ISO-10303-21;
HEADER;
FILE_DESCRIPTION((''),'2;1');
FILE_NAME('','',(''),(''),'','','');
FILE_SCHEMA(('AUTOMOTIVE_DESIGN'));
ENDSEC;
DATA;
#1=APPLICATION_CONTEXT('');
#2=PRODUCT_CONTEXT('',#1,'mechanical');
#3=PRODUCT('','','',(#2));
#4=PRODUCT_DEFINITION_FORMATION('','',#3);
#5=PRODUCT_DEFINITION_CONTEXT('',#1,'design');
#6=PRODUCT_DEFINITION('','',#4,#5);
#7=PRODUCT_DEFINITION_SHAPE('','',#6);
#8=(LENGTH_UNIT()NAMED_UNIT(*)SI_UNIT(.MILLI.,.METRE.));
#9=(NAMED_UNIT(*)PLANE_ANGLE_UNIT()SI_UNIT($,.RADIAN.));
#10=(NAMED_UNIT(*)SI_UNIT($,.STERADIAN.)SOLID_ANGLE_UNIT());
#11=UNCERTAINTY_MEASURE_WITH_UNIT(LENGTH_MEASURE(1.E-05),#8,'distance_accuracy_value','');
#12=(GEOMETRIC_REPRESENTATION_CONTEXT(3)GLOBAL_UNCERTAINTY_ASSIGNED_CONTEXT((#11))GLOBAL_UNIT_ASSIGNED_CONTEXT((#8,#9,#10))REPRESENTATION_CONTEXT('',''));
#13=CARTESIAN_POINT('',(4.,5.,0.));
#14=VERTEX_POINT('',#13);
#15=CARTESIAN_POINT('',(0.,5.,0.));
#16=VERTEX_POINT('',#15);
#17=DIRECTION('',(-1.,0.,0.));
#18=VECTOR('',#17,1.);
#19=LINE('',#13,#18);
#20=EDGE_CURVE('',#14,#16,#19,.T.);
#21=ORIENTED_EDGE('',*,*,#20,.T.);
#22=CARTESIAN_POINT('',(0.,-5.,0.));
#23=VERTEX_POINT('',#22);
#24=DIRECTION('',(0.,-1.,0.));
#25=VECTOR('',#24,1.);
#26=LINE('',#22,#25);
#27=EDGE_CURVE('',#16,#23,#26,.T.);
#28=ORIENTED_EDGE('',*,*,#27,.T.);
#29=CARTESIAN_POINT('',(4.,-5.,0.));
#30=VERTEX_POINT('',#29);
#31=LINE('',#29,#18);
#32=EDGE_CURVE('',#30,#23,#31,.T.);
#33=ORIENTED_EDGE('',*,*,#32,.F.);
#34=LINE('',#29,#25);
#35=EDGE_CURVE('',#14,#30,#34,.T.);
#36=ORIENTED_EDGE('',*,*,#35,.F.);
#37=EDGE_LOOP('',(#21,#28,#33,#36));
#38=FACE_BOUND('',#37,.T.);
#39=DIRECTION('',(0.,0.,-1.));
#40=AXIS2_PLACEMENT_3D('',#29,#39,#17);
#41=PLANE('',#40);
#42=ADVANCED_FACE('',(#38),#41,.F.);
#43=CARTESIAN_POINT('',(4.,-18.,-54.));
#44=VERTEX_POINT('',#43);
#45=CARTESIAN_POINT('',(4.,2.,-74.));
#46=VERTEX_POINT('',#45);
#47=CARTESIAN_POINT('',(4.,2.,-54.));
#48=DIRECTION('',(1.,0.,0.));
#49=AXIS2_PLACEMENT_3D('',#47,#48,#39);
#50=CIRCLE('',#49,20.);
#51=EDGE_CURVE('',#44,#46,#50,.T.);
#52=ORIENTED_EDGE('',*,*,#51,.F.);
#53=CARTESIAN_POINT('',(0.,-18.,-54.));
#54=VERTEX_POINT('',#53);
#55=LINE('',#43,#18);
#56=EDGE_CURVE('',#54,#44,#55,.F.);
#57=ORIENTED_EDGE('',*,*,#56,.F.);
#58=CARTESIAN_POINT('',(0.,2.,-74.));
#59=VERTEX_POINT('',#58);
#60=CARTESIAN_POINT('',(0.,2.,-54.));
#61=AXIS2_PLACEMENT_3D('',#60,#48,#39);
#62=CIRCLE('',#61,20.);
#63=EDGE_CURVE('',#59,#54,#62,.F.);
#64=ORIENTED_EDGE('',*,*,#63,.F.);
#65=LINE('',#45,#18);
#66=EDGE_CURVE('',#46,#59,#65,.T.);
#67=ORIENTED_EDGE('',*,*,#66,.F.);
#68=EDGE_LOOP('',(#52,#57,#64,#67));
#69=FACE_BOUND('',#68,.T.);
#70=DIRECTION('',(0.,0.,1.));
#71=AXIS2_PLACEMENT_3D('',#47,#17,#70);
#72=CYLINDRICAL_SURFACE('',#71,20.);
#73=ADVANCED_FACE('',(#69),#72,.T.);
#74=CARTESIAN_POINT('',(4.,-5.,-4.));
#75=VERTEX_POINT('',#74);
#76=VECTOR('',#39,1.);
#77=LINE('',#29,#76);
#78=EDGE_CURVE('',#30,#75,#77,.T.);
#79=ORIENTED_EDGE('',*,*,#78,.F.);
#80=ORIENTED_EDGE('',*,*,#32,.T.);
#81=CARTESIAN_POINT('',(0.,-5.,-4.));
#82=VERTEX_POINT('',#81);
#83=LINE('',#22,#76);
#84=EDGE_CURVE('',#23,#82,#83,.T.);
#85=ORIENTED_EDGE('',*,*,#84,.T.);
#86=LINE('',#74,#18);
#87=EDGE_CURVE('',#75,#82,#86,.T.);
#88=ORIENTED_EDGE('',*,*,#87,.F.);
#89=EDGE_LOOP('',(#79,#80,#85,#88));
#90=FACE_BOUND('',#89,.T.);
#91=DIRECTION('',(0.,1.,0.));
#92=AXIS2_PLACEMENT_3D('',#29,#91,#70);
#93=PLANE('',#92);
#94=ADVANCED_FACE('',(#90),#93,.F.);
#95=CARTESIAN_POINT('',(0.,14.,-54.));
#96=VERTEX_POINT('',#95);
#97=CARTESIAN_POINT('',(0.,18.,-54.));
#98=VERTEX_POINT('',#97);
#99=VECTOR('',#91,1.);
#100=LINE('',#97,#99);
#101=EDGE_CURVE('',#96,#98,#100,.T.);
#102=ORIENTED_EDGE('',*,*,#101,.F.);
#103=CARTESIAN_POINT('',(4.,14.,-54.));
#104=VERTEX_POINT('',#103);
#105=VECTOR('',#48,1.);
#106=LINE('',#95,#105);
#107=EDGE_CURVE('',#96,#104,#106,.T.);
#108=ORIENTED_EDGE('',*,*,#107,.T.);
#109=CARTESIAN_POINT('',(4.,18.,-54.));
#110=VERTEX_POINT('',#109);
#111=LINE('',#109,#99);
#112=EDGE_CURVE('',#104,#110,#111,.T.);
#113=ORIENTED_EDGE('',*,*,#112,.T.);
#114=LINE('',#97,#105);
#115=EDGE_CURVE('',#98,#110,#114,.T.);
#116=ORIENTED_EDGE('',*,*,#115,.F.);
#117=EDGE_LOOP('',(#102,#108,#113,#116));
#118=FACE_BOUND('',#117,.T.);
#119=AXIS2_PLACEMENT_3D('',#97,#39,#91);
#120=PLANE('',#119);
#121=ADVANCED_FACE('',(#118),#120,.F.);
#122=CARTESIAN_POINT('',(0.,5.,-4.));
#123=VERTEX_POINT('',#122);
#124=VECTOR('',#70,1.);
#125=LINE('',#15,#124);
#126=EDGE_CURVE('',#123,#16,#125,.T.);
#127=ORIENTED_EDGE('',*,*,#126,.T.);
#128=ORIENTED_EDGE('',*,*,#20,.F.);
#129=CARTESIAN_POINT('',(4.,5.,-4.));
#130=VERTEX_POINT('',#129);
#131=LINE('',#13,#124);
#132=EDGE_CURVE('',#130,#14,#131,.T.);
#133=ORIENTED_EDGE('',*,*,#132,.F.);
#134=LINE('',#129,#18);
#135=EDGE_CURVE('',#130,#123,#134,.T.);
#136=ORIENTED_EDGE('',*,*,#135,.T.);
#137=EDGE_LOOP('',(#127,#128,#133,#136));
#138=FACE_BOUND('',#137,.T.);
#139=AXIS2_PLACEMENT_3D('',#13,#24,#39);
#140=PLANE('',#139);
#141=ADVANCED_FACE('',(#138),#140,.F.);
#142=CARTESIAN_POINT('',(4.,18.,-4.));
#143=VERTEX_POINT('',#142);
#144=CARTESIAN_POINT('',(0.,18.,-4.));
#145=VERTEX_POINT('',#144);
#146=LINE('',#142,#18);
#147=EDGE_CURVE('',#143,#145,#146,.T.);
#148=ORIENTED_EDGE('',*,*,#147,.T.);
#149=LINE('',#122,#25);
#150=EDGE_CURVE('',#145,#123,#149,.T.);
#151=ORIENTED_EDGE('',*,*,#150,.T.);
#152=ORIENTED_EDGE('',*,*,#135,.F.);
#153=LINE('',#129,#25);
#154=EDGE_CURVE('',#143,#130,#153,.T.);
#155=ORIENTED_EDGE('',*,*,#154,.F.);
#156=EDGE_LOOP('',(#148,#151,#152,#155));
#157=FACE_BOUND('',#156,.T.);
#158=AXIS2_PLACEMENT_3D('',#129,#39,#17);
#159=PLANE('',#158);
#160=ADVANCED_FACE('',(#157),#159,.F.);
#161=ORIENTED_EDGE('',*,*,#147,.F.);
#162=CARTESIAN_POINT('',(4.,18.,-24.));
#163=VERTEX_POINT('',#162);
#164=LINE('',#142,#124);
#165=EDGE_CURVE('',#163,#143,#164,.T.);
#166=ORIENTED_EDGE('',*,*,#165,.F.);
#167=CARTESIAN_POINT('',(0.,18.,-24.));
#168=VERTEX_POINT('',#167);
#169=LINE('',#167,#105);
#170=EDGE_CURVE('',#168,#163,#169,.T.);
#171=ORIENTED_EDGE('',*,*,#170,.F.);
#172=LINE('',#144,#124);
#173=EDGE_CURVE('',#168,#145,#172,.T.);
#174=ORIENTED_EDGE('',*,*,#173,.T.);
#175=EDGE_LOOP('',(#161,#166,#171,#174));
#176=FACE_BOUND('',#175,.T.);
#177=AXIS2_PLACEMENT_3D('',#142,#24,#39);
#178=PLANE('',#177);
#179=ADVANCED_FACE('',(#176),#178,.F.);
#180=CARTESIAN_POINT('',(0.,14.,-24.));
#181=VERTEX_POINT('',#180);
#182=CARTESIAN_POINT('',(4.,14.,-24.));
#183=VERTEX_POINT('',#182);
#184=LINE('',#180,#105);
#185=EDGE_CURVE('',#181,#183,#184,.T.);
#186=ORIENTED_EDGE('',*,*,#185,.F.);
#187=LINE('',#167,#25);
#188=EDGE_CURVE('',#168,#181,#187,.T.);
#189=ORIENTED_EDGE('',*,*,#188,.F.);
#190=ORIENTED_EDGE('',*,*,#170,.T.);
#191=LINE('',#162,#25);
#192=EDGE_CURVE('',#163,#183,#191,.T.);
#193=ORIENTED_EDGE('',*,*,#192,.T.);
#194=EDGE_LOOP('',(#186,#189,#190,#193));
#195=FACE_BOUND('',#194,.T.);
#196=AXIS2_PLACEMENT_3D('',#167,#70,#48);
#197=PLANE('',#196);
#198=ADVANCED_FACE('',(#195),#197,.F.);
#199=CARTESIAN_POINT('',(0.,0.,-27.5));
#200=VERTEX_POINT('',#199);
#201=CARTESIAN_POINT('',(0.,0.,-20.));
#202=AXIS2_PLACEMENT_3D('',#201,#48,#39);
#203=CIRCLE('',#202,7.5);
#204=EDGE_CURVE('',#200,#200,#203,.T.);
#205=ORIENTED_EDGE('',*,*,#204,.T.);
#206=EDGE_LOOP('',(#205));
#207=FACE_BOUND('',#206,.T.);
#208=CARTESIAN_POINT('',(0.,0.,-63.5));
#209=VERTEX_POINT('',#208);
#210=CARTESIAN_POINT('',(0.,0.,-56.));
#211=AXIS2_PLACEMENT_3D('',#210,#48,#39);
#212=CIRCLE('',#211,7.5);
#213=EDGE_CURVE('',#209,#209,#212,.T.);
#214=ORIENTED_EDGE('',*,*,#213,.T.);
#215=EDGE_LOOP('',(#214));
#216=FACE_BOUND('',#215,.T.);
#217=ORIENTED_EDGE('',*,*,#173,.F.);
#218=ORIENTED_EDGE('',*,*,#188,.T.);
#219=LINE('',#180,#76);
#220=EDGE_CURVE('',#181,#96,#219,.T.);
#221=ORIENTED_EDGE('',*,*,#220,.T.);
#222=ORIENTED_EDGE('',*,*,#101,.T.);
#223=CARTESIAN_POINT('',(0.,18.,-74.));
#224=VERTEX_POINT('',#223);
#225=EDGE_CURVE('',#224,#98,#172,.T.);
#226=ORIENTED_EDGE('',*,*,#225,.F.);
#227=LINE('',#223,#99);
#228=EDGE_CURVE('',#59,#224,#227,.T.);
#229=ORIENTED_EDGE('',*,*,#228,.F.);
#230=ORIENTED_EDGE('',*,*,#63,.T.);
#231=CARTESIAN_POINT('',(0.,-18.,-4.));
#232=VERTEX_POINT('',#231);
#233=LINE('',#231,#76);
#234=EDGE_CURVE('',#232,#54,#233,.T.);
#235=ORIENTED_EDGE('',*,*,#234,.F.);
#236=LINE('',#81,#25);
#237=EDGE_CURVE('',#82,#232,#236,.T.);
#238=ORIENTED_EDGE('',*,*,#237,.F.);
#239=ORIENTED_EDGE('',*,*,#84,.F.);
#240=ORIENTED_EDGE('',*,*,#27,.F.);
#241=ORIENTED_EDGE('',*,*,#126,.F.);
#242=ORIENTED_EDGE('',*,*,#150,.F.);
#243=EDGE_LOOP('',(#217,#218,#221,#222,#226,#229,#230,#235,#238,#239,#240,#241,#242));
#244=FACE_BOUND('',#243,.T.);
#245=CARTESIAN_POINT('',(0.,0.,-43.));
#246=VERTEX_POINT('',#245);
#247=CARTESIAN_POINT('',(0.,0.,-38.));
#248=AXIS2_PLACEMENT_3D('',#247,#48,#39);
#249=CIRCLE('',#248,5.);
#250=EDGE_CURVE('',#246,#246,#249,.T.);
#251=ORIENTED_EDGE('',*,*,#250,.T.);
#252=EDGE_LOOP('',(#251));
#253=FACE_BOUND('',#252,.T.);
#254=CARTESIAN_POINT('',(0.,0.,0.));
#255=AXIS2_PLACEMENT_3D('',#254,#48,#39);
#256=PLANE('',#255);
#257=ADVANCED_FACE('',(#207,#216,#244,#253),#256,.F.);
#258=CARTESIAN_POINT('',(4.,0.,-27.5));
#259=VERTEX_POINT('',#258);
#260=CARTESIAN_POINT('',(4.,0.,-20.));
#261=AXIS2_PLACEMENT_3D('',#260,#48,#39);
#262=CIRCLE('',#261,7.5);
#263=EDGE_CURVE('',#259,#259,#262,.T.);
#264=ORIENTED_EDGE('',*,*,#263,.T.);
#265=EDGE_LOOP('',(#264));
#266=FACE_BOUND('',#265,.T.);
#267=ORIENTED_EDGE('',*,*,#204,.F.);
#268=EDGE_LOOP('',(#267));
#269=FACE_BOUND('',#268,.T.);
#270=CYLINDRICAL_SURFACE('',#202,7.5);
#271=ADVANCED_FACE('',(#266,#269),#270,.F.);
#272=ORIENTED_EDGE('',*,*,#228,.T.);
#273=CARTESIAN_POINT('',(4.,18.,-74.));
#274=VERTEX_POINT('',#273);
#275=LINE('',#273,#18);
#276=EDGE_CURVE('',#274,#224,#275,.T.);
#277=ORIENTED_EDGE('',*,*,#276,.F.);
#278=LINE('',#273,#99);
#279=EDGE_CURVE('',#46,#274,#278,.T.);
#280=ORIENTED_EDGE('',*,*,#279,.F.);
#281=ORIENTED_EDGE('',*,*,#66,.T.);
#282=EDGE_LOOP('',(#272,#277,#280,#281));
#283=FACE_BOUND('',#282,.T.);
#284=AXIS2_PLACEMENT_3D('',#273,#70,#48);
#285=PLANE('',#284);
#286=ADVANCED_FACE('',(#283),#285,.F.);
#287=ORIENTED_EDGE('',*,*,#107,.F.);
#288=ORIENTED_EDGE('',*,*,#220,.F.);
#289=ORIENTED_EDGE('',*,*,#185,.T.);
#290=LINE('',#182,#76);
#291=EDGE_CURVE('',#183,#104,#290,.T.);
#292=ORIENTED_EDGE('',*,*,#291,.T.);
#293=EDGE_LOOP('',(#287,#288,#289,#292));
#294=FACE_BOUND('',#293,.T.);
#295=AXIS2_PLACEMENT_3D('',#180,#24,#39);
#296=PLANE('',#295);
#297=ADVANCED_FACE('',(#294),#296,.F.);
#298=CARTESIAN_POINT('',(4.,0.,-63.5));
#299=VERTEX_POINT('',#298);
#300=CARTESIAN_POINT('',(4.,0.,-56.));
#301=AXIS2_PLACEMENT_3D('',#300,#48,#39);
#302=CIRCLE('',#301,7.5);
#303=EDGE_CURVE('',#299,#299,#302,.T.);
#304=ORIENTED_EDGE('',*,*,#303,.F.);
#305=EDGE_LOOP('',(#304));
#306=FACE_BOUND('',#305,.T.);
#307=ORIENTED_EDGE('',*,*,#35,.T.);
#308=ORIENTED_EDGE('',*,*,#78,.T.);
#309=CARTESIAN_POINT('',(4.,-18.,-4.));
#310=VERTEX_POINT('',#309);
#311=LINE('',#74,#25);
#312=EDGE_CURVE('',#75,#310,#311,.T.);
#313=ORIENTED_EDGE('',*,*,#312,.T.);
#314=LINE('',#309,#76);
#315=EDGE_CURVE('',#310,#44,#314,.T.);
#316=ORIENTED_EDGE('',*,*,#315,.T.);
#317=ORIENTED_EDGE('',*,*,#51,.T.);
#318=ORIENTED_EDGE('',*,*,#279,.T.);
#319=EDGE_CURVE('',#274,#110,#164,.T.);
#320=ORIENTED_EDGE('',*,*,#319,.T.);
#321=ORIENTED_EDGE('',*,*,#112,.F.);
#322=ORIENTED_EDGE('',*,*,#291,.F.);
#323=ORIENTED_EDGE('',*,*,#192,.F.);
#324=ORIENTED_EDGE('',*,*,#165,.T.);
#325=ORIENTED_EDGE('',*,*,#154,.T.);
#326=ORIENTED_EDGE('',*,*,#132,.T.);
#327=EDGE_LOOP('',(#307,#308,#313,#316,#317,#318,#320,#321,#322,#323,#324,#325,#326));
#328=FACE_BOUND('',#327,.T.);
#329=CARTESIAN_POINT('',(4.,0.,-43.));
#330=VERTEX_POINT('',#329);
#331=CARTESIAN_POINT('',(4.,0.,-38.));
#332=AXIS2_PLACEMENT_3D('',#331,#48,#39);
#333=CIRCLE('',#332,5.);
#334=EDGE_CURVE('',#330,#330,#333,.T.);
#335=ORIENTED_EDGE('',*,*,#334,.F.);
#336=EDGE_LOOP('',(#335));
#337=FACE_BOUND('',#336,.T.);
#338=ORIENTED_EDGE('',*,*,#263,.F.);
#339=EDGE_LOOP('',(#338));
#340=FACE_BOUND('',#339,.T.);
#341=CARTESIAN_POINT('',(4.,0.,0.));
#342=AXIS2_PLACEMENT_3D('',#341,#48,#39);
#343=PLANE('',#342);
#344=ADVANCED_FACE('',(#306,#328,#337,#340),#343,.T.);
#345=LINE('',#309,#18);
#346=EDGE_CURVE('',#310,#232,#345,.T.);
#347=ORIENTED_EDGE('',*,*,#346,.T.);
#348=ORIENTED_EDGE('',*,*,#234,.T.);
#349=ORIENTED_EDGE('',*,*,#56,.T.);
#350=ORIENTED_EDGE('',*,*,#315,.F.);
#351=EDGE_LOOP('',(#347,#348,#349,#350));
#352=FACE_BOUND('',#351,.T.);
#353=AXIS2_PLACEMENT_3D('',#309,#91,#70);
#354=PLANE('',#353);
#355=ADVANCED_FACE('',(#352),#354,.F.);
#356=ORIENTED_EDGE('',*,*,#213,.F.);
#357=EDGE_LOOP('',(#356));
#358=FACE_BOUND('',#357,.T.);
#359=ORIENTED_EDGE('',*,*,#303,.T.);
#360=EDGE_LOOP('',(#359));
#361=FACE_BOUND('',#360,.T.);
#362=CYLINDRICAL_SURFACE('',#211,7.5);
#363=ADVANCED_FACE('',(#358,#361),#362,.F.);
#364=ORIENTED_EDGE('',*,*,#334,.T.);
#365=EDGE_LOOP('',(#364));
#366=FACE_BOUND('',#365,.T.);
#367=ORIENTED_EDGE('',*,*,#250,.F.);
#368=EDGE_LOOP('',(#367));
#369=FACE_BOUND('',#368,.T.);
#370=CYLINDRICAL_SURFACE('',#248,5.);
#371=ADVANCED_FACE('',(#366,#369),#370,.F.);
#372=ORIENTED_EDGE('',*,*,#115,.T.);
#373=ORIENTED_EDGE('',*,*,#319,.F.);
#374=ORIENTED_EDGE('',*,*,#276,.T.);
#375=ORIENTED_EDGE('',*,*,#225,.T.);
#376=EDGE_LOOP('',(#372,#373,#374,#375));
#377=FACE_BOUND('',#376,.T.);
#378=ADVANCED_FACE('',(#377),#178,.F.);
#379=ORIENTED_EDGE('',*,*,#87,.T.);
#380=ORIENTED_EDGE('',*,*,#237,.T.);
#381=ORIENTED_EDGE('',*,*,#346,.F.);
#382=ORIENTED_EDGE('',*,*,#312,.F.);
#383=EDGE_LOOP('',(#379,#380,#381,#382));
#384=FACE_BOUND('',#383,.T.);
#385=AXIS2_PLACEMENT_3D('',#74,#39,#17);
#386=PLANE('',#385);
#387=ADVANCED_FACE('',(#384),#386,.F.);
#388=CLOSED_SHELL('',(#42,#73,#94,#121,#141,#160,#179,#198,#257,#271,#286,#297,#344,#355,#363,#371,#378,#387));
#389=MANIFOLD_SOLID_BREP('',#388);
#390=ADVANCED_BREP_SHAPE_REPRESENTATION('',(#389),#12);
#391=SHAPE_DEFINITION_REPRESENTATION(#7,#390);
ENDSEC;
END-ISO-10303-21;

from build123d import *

# Parameters (mm, degrees)
AUFSATZ_LINEAR_AUSTRAGEN1_DEPTH = 4
SKIZZE3_W                       = 30
SKIZZE3_H                       = 4
SCHNITT_LINEAR_AUSTRAGEN2_DEPTH = 77.26270386
VERRUNDUNG1_R                   = 20
SKIZZE5_R                       = 7.5
SKIZZE5_R_2                     = 5
SCHNITT_LINEAR_AUSTRAGEN4_DEPTH = 77.26270386


with BuildPart() as part:
    # Skizze1 → Aufsatz-Linear austragen1 (new body)
    with BuildSketch(Plane(origin=(0, 0, 0), x_dir=(0, 0, -1), z_dir=(1, 0, 0))):
        Polygon((0, -5), (0, 5), (4, 5), (4, 18), (74, 18), (74, -18), (4, -18), (4, -5), align=None)
    extrude(amount=AUFSATZ_LINEAR_AUSTRAGEN1_DEPTH)

    # Skizze3 → Schnitt-Linear austragen2 (cut, through all)
    with BuildSketch(Plane(origin=(4, 0, 0), x_dir=(0, 0, -1), z_dir=(1, 0, 0))):
        with Locations((39, 16)):
            Rectangle(SKIZZE3_W, SKIZZE3_H)
    extrude(amount=-SCHNITT_LINEAR_AUSTRAGEN2_DEPTH, mode=Mode.SUBTRACT)

    # Verrundung1
    verrundung1_edges = [part.edges().sort_by_distance(p)[0] for p in [
        (2, -18, -74),
    ]]
    fillet(verrundung1_edges, radius=VERRUNDUNG1_R)

    # Skizze5 → Schnitt-Linear austragen4 (cut, through all)
    with BuildSketch(Plane(origin=(4, 0, 0), x_dir=(0, 0, -1), z_dir=(1, 0, 0))):
        with Locations((20, 0)):
            Circle(SKIZZE5_R)
        with Locations((56, 0)):
            Circle(SKIZZE5_R)
        with Locations((38, 0)):
            Circle(SKIZZE5_R_2)
    extrude(amount=-SCHNITT_LINEAR_AUSTRAGEN4_DEPTH, mode=Mode.SUBTRACT)


solid = part.part
